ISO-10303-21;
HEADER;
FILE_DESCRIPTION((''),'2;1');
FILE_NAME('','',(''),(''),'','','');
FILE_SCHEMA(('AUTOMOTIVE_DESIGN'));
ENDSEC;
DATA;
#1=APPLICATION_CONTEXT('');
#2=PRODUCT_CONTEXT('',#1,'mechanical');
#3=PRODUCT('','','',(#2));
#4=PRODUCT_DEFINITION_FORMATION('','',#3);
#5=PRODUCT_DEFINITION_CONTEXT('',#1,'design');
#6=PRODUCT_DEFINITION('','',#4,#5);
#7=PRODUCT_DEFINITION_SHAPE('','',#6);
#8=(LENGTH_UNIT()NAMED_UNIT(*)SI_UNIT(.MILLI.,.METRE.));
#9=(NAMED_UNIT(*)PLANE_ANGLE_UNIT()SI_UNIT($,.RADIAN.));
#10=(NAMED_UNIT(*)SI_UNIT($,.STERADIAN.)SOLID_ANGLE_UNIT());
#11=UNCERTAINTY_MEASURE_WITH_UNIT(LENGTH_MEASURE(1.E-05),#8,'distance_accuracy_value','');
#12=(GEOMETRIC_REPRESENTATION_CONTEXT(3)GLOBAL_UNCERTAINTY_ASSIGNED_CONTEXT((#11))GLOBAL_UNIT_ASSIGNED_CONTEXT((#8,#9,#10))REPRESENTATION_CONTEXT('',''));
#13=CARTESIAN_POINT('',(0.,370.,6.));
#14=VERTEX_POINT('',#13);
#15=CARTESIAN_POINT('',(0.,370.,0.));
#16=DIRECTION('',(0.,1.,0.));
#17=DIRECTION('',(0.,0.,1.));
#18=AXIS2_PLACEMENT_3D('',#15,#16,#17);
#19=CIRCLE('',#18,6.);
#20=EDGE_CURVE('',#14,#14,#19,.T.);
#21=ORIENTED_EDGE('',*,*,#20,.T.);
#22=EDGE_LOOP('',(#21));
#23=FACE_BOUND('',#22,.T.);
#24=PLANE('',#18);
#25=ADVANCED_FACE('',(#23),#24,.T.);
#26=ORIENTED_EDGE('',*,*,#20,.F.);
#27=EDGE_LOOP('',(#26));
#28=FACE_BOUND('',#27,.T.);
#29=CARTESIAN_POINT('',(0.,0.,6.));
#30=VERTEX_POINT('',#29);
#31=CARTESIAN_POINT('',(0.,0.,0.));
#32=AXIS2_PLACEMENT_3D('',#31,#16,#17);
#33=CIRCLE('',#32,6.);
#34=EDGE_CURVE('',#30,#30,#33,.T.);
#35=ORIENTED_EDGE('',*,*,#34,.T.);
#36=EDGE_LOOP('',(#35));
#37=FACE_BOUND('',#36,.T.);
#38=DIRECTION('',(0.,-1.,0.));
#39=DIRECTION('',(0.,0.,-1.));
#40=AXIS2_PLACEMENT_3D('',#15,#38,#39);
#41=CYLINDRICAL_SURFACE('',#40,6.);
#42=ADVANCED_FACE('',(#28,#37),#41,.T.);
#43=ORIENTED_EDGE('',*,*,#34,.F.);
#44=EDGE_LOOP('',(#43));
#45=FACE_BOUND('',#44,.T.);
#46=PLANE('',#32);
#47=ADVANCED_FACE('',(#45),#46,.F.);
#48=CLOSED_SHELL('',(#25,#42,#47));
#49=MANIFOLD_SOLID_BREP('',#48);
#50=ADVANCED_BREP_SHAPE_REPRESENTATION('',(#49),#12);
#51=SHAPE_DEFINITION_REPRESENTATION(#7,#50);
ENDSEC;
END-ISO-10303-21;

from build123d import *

# Parameters (mm, degrees)
SKETCH1_R           = 6
BOSS_EXTRUDE1_DEPTH = 370


with BuildPart() as part:
    # Sketch1 → Boss-Extrude1 (new body)
    with BuildSketch(Plane(origin=(0, 0, 0), x_dir=(1, 0, 0), z_dir=(0, 1, 0))):
        Circle(SKETCH1_R)
    extrude(amount=BOSS_EXTRUDE1_DEPTH)


solid = part.part
